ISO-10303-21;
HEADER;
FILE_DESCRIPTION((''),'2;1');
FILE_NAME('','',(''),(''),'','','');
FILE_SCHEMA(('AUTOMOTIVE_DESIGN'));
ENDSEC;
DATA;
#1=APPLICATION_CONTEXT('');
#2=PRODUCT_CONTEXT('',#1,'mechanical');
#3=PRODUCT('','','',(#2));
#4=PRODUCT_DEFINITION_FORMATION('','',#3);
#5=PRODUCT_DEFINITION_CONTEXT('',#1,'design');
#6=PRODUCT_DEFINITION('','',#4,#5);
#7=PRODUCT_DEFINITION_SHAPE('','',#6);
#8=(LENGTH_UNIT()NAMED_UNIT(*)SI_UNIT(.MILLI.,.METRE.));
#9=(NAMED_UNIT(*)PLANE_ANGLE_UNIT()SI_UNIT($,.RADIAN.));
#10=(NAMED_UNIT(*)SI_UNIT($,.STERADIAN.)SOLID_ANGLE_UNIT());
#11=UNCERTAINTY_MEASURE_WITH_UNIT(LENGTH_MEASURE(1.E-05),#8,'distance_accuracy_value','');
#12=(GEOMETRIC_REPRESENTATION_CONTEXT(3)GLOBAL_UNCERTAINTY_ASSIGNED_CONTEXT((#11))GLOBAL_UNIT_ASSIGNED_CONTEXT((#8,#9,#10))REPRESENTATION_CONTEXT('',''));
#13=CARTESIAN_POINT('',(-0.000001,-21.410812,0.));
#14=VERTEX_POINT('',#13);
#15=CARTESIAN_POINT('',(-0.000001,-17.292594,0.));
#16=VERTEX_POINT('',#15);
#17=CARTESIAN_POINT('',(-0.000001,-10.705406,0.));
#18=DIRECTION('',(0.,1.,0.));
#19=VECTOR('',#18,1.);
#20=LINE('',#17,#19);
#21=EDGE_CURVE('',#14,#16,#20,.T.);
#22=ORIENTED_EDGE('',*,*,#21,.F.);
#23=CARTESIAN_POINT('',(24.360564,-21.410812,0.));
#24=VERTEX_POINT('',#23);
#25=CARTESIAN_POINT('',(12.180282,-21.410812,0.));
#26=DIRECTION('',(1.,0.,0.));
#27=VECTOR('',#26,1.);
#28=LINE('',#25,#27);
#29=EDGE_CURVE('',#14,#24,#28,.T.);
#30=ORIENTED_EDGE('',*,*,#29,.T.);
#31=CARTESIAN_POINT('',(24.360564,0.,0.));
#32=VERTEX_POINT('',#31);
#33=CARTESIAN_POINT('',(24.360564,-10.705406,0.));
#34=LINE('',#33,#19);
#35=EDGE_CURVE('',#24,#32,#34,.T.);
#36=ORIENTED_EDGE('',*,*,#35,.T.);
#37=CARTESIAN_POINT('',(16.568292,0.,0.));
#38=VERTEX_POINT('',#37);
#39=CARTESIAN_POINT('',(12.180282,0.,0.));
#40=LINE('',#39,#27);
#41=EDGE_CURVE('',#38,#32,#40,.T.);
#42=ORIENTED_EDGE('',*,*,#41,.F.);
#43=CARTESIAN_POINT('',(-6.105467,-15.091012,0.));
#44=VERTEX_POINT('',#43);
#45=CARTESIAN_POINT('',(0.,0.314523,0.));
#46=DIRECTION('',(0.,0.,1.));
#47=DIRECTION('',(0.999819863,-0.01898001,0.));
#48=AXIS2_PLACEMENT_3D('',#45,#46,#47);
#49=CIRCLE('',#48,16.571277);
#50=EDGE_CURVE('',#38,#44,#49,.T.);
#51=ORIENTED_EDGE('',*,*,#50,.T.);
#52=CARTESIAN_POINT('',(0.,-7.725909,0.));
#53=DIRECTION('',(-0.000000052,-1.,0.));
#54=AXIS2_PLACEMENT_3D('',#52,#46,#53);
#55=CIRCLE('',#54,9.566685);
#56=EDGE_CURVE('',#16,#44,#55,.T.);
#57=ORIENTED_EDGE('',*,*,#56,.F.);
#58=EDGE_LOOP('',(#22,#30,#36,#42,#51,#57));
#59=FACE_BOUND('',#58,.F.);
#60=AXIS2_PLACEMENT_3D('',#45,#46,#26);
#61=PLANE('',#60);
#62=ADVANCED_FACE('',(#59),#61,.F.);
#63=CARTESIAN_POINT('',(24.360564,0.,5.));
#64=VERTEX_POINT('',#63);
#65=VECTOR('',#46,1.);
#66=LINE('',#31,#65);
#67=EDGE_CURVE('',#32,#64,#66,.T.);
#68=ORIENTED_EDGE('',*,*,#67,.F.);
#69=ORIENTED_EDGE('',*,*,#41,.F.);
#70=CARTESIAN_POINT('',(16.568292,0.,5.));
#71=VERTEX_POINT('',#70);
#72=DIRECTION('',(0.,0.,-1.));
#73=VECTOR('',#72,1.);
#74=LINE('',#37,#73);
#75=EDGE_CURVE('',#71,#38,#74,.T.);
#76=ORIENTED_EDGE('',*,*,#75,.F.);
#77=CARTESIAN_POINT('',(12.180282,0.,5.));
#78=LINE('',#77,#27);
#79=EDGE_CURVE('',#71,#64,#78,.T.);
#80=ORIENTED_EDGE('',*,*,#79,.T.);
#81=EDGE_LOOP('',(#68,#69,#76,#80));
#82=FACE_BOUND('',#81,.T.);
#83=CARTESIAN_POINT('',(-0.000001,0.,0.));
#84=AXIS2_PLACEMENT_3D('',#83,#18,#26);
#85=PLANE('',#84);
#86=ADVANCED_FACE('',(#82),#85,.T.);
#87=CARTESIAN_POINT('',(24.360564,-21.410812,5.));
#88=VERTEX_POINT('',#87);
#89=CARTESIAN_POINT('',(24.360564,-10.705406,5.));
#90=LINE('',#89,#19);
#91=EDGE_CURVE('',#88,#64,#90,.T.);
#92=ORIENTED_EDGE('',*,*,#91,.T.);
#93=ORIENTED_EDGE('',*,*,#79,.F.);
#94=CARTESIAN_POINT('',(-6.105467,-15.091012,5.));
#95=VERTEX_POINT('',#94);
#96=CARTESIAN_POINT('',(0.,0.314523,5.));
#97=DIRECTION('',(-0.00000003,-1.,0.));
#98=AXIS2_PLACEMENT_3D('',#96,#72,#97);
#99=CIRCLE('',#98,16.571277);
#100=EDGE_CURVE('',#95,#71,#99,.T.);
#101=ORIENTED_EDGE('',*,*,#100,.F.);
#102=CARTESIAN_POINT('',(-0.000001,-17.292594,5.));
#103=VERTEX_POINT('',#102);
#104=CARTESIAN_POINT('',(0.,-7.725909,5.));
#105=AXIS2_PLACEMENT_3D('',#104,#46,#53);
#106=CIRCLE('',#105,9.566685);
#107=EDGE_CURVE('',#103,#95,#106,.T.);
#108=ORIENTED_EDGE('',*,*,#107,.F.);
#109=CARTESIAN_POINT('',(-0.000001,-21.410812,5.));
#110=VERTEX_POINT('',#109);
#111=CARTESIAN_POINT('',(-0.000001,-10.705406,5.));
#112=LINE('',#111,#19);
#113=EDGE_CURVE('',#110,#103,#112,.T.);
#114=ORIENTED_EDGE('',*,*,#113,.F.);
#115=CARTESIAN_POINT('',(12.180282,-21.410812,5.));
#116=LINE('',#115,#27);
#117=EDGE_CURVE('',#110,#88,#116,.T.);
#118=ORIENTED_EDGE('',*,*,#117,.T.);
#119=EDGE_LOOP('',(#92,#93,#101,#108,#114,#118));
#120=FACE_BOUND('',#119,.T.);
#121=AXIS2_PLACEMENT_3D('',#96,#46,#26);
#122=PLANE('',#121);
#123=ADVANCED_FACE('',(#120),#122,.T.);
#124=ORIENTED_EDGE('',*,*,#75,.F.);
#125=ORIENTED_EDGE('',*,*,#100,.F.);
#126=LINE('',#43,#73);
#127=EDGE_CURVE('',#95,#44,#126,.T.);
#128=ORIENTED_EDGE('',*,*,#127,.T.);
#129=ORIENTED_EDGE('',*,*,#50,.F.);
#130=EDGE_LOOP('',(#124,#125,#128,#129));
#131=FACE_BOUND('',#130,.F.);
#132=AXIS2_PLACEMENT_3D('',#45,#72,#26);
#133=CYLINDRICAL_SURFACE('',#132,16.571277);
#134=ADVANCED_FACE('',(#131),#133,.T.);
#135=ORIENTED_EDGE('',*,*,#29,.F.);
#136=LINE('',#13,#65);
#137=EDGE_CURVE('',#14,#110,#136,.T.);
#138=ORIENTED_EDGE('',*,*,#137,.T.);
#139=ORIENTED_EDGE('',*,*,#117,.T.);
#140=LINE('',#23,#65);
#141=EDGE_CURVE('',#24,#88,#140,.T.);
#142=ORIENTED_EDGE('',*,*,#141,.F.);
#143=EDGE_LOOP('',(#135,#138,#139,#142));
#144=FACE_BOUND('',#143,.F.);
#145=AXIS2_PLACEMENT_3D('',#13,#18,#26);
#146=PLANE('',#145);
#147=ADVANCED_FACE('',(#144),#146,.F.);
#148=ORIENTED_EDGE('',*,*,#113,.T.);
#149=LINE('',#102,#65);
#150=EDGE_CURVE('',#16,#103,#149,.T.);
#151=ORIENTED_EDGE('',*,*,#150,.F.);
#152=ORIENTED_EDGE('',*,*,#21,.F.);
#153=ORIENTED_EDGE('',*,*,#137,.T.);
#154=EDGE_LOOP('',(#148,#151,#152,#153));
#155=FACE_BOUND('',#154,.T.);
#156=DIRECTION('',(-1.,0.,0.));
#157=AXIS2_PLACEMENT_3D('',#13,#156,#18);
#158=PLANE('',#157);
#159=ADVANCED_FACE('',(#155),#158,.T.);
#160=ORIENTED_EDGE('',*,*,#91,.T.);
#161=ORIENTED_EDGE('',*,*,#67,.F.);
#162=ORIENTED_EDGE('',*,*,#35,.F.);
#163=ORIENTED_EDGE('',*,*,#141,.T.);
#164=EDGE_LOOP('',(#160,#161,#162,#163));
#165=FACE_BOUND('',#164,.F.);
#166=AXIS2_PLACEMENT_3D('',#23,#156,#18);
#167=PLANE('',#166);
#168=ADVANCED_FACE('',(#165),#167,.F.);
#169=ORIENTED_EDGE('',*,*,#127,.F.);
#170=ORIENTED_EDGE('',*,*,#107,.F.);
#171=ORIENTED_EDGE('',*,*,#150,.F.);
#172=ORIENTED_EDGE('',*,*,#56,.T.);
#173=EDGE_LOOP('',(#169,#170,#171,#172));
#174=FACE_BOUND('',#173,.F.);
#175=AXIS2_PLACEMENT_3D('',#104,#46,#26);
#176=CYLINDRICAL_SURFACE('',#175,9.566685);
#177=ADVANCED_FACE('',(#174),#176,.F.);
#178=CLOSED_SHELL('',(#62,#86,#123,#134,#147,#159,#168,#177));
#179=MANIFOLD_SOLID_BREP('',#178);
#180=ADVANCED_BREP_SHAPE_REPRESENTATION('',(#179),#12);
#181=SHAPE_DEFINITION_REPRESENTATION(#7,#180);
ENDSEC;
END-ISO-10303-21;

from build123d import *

# Parameters (mm, degrees)
F0_W     = 24.360565
F0_H     = 21.410812
F1_DEPTH = 5
F2_R     = 16.571277
F3_DEPTH = 5
F4_R     = 9.566685
F5_DEPTH = 6


with BuildPart() as f1:
    # F0 (on Top) → F1 (new body)
    with BuildSketch(Plane.XY):
        with Locations((12.180282, -10.705406)):
            Rectangle(F0_W, F0_H)
    extrude(amount=F1_DEPTH)

    # F2 (on Top) → F3 (join)
    with BuildSketch(Plane.XY):
        with Locations((0, 0.314523)):
            Circle(F2_R)
    extrude(amount=F3_DEPTH)

    # F4 (on face) → F5 (cut)
    with BuildSketch(Plane.XY.offset(5)):
        with Locations((0, -7.725909)):
            Circle(F4_R)
    extrude(amount=-F5_DEPTH, mode=Mode.SUBTRACT)


solid = f1.part
